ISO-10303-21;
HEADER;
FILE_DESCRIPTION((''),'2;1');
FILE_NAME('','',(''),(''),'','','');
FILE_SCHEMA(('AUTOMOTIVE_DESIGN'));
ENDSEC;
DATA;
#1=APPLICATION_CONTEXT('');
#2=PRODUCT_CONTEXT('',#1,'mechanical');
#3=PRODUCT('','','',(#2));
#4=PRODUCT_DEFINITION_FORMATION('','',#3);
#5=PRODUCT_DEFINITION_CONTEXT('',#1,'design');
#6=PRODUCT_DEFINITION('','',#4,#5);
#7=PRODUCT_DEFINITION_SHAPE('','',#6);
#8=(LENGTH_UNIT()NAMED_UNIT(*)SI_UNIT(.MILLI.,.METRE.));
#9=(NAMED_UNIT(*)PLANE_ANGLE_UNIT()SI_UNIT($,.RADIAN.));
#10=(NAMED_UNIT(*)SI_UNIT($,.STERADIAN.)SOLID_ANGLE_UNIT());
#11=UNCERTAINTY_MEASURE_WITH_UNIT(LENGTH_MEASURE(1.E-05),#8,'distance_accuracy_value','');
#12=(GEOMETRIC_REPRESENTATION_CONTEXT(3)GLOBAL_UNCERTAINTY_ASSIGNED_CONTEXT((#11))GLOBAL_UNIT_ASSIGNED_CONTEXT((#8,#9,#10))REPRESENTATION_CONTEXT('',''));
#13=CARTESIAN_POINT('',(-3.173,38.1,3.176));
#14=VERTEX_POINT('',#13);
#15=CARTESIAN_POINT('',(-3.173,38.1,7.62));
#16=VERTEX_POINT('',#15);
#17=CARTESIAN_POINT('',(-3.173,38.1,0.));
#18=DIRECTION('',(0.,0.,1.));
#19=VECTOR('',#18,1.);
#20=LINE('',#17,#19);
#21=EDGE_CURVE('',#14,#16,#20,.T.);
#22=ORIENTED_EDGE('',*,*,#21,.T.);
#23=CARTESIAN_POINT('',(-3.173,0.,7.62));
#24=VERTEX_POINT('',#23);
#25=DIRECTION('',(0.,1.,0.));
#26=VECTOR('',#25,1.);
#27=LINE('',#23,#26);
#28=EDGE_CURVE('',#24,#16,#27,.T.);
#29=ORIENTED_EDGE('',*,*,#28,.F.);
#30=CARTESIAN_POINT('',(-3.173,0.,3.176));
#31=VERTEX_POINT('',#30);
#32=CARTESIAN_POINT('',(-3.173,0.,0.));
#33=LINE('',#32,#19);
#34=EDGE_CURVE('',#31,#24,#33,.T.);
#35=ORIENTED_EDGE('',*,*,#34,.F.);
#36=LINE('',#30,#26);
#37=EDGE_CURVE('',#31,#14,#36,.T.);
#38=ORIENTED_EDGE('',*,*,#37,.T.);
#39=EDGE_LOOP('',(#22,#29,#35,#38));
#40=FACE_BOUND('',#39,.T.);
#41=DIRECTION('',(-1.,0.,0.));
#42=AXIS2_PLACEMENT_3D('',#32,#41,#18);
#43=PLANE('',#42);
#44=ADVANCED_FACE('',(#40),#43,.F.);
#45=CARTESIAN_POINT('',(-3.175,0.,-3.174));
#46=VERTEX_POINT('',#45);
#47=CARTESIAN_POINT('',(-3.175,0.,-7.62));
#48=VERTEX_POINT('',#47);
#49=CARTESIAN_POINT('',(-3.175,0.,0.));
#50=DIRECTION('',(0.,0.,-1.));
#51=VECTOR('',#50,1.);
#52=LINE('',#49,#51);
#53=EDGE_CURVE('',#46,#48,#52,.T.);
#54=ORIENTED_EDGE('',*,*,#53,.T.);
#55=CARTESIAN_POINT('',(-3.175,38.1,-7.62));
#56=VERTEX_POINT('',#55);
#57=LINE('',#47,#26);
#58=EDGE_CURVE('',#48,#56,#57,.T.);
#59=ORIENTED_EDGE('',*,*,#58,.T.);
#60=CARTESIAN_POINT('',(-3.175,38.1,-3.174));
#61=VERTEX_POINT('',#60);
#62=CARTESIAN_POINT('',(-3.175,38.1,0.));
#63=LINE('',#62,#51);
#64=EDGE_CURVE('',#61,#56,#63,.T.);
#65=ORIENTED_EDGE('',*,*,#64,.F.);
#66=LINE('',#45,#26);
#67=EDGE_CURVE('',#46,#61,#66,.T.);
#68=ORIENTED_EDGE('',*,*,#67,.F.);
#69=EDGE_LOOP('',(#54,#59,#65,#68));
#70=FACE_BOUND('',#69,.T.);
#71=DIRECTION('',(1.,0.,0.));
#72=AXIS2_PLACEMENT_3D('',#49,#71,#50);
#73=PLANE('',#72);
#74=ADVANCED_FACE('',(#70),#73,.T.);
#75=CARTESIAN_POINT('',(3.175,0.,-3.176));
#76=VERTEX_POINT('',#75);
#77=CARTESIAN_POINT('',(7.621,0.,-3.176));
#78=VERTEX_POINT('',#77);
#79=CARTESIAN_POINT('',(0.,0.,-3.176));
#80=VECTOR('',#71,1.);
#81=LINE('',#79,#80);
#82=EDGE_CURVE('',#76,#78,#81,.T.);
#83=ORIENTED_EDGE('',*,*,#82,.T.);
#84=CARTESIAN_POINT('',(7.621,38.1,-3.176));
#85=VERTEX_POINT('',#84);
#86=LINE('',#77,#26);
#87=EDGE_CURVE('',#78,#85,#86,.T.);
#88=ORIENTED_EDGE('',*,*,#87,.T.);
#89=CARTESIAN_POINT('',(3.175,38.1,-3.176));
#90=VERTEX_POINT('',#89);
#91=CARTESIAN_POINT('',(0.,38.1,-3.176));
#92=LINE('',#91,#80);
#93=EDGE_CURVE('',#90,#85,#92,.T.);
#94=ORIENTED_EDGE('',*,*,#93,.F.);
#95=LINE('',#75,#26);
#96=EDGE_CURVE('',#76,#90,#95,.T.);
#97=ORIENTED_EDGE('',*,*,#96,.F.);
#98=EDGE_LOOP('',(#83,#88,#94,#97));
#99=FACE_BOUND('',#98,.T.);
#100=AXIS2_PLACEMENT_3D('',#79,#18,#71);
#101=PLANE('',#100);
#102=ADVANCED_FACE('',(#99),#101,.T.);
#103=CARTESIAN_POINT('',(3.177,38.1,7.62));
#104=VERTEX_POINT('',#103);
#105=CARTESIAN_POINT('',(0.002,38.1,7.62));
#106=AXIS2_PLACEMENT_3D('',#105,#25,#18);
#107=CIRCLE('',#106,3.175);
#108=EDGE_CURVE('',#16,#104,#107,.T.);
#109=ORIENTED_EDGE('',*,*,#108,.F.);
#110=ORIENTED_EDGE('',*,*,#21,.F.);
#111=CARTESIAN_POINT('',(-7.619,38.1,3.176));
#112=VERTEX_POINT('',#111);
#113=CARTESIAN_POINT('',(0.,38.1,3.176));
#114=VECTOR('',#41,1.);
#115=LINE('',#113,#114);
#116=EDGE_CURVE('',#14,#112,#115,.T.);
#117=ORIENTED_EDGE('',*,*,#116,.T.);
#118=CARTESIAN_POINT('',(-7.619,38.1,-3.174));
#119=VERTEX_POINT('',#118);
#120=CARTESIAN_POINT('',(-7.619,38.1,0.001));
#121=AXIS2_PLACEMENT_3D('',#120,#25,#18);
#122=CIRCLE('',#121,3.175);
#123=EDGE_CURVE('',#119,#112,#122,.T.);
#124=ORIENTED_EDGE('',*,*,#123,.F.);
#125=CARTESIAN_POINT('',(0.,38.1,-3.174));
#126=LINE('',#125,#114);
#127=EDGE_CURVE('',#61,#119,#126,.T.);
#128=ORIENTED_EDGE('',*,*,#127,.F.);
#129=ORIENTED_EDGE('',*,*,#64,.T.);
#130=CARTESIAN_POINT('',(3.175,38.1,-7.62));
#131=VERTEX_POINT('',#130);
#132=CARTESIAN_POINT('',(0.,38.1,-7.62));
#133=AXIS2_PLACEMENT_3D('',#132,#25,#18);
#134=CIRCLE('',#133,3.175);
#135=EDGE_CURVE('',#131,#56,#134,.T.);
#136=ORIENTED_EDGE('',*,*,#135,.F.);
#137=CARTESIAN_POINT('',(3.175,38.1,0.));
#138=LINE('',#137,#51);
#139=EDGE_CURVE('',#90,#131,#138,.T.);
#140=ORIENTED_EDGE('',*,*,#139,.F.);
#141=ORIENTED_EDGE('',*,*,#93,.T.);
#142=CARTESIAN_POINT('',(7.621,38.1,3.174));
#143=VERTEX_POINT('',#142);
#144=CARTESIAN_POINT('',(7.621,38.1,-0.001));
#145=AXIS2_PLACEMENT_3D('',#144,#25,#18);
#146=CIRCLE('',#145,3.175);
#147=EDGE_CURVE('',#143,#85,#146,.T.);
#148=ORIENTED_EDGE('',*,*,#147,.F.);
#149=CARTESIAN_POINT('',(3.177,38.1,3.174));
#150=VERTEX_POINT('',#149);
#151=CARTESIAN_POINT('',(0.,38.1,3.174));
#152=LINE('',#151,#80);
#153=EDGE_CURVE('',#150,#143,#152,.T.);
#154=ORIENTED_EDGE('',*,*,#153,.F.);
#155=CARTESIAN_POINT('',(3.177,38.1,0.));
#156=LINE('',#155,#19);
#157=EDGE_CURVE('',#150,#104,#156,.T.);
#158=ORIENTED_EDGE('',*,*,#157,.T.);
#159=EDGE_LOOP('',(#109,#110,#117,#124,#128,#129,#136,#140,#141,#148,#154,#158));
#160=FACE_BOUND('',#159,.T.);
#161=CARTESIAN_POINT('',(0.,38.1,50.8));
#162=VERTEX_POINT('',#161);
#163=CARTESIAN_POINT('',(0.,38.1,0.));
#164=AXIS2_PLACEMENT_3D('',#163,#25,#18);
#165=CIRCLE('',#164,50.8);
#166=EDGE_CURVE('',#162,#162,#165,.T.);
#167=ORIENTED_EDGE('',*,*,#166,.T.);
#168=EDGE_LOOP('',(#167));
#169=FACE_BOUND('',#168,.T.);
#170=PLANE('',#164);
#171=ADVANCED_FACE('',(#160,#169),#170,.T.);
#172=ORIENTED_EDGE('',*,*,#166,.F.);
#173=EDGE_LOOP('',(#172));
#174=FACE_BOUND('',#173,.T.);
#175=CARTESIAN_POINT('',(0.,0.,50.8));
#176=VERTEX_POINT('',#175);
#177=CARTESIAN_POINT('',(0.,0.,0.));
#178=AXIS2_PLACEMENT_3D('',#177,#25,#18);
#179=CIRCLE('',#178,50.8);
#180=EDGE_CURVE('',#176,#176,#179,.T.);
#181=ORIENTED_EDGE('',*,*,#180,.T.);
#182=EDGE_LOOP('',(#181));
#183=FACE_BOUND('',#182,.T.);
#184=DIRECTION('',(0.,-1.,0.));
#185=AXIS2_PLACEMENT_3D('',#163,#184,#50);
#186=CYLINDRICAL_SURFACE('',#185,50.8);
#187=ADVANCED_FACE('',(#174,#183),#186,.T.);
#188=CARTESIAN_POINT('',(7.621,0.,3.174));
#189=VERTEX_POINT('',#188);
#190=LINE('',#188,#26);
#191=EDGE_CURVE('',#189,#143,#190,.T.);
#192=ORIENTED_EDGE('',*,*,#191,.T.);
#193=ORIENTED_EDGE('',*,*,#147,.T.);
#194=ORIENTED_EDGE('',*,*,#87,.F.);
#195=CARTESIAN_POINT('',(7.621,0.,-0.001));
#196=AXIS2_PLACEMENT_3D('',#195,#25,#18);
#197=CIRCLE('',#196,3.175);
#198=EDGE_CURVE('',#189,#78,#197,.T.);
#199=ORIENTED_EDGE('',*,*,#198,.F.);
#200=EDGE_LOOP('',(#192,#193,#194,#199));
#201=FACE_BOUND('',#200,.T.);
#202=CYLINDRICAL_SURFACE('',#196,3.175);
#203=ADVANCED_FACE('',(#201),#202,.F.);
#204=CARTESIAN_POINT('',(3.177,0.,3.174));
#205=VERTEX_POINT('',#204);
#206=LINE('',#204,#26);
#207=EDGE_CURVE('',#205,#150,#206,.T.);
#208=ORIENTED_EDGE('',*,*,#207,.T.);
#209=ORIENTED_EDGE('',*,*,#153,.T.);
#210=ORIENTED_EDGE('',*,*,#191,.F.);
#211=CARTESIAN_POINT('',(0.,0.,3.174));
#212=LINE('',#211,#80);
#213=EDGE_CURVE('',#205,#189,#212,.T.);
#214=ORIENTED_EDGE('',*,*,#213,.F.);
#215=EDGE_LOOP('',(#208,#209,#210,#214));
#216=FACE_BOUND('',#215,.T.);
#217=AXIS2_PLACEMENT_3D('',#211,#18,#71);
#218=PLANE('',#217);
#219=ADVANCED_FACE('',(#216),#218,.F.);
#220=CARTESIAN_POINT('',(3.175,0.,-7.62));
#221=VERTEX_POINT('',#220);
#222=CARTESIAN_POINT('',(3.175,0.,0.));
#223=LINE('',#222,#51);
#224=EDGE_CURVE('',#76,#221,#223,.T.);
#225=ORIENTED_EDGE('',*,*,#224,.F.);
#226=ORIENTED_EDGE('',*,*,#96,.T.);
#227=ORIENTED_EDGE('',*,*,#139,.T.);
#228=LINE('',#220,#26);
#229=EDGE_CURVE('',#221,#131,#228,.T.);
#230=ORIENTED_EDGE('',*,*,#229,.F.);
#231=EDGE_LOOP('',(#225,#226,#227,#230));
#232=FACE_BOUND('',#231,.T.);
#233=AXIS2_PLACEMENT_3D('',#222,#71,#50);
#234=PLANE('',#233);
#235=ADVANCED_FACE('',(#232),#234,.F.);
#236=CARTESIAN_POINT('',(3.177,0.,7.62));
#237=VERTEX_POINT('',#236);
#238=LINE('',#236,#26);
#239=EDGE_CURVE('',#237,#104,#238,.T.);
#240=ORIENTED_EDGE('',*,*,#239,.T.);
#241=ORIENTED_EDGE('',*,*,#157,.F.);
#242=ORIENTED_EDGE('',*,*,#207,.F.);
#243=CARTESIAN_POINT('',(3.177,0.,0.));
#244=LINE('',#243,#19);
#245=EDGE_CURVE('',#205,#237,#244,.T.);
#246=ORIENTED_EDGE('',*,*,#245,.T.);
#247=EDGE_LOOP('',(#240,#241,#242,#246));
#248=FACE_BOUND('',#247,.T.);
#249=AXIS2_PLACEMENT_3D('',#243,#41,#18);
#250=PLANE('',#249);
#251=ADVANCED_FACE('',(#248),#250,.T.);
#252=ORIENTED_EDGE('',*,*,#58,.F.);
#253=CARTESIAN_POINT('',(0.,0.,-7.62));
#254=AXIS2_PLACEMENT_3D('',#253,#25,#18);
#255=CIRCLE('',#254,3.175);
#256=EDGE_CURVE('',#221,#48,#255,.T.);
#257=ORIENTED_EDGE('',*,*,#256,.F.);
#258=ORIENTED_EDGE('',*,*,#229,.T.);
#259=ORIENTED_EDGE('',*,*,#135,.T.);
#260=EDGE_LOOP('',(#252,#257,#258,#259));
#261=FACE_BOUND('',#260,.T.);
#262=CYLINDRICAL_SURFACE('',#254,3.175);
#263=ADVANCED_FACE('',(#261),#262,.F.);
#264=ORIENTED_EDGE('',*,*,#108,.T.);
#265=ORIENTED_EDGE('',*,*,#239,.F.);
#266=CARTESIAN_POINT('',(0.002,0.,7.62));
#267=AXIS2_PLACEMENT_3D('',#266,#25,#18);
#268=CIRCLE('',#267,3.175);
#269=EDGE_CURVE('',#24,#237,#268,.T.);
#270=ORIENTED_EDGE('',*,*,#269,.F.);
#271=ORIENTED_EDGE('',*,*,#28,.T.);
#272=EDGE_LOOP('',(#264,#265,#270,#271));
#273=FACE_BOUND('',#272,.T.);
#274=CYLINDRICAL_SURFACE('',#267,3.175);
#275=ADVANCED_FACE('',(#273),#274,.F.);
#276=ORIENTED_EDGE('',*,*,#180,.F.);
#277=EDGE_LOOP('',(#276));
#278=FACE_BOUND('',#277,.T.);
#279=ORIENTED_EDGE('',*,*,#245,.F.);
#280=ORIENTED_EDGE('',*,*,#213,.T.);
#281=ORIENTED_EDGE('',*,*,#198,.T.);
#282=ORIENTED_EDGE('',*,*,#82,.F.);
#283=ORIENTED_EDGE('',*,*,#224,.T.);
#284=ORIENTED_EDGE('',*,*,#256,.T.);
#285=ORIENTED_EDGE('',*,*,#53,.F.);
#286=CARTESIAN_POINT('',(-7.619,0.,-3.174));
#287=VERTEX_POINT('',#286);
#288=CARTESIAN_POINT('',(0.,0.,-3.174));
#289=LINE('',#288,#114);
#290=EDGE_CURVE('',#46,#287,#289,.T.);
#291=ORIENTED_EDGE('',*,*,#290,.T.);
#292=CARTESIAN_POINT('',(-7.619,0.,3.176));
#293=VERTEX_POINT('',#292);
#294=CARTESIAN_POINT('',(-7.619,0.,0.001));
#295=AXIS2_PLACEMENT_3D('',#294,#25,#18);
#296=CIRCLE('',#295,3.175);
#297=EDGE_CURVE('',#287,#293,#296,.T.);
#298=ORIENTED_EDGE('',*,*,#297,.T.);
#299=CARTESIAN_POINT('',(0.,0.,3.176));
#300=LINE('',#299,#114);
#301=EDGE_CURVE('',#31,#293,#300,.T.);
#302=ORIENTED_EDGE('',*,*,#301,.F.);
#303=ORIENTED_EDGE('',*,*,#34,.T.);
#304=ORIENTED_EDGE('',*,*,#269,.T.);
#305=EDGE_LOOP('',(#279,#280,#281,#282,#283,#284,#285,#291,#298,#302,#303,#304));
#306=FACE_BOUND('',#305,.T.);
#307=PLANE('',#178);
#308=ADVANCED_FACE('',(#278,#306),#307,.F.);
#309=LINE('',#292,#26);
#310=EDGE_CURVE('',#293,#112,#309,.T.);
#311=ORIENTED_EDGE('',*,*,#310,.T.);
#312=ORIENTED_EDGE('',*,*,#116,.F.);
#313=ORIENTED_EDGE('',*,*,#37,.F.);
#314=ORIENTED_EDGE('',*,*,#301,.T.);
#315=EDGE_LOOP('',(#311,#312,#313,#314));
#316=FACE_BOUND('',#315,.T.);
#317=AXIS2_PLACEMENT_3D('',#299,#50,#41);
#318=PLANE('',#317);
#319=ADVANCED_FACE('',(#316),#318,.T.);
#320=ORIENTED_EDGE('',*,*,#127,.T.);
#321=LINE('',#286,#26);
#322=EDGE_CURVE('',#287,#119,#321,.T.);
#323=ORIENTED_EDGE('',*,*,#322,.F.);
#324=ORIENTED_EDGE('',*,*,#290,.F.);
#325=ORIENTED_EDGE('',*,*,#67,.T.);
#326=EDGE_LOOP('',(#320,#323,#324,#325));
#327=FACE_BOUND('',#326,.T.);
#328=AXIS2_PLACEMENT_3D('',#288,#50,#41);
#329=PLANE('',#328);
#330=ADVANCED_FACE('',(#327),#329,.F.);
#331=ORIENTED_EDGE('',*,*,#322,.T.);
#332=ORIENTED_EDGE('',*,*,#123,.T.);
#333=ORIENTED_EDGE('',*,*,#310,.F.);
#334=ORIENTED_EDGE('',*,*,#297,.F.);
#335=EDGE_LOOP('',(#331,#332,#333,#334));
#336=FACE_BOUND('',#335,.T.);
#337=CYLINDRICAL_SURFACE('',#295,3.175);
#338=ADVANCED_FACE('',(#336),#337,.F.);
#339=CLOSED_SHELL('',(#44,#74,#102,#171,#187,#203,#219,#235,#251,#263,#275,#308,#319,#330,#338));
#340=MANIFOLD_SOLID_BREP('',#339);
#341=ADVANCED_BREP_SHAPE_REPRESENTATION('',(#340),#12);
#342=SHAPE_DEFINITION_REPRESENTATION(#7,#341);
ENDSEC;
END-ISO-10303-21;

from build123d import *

# Parameters (mm, degrees)
SKETCH1_R           = 50.8
SKETCH1_R_2         = 3.175
BOSS_EXTRUDE1_DEPTH = 38.1
CUT_EXTRUDE1_DEPTH  = 39.1


with BuildPart() as part:
    # Sketch1 → Boss-Extrude1 (new body)
    with BuildSketch(Plane(origin=(0, 0, 0), x_dir=(1, 0, 0), z_dir=(0, 1, 0))):
        Circle(SKETCH1_R)
        Circle(SKETCH1_R_2, mode=Mode.SUBTRACT)
    extrude(amount=BOSS_EXTRUDE1_DEPTH)

    # Sketch2 → Cut-Extrude1 (cut, through all)
    with BuildSketch(Plane(origin=(0, 38.1, 0), x_dir=(1, 0, 0), z_dir=(0, 1, 0))):
        with BuildLine():
            Line((-3.175, 3.174), (-3.175, 7.620000001))
            ThreePointArc((-3.175, 7.620000001), (0, 10.795), (3.175, 7.62))
            Line((3.175, 7.62), (3.175, 3.176))
            Line((3.175, 3.176), (7.621, 3.176))
            ThreePointArc((7.621, 3.176), (10.796, 0.001), (7.621, -3.174))
            Line((7.621, -3.174), (3.177, -3.174))
            Line((3.177, -3.174), (3.177, -7.62))
            ThreePointArc((3.177, -7.62), (0.002, -10.795), (-3.173, -7.62))
            Line((-3.173, -7.62), (-3.173, -3.176))
            Line((-3.173, -3.176), (-7.619, -3.176))
            ThreePointArc((-7.619, -3.176), (-10.794, -0.001), (-7.619, 3.174))
            Line((-7.619, 3.174), (-3.175, 3.174))
        make_face()
    extrude(amount=-CUT_EXTRUDE1_DEPTH, mode=Mode.SUBTRACT)


solid = part.part
